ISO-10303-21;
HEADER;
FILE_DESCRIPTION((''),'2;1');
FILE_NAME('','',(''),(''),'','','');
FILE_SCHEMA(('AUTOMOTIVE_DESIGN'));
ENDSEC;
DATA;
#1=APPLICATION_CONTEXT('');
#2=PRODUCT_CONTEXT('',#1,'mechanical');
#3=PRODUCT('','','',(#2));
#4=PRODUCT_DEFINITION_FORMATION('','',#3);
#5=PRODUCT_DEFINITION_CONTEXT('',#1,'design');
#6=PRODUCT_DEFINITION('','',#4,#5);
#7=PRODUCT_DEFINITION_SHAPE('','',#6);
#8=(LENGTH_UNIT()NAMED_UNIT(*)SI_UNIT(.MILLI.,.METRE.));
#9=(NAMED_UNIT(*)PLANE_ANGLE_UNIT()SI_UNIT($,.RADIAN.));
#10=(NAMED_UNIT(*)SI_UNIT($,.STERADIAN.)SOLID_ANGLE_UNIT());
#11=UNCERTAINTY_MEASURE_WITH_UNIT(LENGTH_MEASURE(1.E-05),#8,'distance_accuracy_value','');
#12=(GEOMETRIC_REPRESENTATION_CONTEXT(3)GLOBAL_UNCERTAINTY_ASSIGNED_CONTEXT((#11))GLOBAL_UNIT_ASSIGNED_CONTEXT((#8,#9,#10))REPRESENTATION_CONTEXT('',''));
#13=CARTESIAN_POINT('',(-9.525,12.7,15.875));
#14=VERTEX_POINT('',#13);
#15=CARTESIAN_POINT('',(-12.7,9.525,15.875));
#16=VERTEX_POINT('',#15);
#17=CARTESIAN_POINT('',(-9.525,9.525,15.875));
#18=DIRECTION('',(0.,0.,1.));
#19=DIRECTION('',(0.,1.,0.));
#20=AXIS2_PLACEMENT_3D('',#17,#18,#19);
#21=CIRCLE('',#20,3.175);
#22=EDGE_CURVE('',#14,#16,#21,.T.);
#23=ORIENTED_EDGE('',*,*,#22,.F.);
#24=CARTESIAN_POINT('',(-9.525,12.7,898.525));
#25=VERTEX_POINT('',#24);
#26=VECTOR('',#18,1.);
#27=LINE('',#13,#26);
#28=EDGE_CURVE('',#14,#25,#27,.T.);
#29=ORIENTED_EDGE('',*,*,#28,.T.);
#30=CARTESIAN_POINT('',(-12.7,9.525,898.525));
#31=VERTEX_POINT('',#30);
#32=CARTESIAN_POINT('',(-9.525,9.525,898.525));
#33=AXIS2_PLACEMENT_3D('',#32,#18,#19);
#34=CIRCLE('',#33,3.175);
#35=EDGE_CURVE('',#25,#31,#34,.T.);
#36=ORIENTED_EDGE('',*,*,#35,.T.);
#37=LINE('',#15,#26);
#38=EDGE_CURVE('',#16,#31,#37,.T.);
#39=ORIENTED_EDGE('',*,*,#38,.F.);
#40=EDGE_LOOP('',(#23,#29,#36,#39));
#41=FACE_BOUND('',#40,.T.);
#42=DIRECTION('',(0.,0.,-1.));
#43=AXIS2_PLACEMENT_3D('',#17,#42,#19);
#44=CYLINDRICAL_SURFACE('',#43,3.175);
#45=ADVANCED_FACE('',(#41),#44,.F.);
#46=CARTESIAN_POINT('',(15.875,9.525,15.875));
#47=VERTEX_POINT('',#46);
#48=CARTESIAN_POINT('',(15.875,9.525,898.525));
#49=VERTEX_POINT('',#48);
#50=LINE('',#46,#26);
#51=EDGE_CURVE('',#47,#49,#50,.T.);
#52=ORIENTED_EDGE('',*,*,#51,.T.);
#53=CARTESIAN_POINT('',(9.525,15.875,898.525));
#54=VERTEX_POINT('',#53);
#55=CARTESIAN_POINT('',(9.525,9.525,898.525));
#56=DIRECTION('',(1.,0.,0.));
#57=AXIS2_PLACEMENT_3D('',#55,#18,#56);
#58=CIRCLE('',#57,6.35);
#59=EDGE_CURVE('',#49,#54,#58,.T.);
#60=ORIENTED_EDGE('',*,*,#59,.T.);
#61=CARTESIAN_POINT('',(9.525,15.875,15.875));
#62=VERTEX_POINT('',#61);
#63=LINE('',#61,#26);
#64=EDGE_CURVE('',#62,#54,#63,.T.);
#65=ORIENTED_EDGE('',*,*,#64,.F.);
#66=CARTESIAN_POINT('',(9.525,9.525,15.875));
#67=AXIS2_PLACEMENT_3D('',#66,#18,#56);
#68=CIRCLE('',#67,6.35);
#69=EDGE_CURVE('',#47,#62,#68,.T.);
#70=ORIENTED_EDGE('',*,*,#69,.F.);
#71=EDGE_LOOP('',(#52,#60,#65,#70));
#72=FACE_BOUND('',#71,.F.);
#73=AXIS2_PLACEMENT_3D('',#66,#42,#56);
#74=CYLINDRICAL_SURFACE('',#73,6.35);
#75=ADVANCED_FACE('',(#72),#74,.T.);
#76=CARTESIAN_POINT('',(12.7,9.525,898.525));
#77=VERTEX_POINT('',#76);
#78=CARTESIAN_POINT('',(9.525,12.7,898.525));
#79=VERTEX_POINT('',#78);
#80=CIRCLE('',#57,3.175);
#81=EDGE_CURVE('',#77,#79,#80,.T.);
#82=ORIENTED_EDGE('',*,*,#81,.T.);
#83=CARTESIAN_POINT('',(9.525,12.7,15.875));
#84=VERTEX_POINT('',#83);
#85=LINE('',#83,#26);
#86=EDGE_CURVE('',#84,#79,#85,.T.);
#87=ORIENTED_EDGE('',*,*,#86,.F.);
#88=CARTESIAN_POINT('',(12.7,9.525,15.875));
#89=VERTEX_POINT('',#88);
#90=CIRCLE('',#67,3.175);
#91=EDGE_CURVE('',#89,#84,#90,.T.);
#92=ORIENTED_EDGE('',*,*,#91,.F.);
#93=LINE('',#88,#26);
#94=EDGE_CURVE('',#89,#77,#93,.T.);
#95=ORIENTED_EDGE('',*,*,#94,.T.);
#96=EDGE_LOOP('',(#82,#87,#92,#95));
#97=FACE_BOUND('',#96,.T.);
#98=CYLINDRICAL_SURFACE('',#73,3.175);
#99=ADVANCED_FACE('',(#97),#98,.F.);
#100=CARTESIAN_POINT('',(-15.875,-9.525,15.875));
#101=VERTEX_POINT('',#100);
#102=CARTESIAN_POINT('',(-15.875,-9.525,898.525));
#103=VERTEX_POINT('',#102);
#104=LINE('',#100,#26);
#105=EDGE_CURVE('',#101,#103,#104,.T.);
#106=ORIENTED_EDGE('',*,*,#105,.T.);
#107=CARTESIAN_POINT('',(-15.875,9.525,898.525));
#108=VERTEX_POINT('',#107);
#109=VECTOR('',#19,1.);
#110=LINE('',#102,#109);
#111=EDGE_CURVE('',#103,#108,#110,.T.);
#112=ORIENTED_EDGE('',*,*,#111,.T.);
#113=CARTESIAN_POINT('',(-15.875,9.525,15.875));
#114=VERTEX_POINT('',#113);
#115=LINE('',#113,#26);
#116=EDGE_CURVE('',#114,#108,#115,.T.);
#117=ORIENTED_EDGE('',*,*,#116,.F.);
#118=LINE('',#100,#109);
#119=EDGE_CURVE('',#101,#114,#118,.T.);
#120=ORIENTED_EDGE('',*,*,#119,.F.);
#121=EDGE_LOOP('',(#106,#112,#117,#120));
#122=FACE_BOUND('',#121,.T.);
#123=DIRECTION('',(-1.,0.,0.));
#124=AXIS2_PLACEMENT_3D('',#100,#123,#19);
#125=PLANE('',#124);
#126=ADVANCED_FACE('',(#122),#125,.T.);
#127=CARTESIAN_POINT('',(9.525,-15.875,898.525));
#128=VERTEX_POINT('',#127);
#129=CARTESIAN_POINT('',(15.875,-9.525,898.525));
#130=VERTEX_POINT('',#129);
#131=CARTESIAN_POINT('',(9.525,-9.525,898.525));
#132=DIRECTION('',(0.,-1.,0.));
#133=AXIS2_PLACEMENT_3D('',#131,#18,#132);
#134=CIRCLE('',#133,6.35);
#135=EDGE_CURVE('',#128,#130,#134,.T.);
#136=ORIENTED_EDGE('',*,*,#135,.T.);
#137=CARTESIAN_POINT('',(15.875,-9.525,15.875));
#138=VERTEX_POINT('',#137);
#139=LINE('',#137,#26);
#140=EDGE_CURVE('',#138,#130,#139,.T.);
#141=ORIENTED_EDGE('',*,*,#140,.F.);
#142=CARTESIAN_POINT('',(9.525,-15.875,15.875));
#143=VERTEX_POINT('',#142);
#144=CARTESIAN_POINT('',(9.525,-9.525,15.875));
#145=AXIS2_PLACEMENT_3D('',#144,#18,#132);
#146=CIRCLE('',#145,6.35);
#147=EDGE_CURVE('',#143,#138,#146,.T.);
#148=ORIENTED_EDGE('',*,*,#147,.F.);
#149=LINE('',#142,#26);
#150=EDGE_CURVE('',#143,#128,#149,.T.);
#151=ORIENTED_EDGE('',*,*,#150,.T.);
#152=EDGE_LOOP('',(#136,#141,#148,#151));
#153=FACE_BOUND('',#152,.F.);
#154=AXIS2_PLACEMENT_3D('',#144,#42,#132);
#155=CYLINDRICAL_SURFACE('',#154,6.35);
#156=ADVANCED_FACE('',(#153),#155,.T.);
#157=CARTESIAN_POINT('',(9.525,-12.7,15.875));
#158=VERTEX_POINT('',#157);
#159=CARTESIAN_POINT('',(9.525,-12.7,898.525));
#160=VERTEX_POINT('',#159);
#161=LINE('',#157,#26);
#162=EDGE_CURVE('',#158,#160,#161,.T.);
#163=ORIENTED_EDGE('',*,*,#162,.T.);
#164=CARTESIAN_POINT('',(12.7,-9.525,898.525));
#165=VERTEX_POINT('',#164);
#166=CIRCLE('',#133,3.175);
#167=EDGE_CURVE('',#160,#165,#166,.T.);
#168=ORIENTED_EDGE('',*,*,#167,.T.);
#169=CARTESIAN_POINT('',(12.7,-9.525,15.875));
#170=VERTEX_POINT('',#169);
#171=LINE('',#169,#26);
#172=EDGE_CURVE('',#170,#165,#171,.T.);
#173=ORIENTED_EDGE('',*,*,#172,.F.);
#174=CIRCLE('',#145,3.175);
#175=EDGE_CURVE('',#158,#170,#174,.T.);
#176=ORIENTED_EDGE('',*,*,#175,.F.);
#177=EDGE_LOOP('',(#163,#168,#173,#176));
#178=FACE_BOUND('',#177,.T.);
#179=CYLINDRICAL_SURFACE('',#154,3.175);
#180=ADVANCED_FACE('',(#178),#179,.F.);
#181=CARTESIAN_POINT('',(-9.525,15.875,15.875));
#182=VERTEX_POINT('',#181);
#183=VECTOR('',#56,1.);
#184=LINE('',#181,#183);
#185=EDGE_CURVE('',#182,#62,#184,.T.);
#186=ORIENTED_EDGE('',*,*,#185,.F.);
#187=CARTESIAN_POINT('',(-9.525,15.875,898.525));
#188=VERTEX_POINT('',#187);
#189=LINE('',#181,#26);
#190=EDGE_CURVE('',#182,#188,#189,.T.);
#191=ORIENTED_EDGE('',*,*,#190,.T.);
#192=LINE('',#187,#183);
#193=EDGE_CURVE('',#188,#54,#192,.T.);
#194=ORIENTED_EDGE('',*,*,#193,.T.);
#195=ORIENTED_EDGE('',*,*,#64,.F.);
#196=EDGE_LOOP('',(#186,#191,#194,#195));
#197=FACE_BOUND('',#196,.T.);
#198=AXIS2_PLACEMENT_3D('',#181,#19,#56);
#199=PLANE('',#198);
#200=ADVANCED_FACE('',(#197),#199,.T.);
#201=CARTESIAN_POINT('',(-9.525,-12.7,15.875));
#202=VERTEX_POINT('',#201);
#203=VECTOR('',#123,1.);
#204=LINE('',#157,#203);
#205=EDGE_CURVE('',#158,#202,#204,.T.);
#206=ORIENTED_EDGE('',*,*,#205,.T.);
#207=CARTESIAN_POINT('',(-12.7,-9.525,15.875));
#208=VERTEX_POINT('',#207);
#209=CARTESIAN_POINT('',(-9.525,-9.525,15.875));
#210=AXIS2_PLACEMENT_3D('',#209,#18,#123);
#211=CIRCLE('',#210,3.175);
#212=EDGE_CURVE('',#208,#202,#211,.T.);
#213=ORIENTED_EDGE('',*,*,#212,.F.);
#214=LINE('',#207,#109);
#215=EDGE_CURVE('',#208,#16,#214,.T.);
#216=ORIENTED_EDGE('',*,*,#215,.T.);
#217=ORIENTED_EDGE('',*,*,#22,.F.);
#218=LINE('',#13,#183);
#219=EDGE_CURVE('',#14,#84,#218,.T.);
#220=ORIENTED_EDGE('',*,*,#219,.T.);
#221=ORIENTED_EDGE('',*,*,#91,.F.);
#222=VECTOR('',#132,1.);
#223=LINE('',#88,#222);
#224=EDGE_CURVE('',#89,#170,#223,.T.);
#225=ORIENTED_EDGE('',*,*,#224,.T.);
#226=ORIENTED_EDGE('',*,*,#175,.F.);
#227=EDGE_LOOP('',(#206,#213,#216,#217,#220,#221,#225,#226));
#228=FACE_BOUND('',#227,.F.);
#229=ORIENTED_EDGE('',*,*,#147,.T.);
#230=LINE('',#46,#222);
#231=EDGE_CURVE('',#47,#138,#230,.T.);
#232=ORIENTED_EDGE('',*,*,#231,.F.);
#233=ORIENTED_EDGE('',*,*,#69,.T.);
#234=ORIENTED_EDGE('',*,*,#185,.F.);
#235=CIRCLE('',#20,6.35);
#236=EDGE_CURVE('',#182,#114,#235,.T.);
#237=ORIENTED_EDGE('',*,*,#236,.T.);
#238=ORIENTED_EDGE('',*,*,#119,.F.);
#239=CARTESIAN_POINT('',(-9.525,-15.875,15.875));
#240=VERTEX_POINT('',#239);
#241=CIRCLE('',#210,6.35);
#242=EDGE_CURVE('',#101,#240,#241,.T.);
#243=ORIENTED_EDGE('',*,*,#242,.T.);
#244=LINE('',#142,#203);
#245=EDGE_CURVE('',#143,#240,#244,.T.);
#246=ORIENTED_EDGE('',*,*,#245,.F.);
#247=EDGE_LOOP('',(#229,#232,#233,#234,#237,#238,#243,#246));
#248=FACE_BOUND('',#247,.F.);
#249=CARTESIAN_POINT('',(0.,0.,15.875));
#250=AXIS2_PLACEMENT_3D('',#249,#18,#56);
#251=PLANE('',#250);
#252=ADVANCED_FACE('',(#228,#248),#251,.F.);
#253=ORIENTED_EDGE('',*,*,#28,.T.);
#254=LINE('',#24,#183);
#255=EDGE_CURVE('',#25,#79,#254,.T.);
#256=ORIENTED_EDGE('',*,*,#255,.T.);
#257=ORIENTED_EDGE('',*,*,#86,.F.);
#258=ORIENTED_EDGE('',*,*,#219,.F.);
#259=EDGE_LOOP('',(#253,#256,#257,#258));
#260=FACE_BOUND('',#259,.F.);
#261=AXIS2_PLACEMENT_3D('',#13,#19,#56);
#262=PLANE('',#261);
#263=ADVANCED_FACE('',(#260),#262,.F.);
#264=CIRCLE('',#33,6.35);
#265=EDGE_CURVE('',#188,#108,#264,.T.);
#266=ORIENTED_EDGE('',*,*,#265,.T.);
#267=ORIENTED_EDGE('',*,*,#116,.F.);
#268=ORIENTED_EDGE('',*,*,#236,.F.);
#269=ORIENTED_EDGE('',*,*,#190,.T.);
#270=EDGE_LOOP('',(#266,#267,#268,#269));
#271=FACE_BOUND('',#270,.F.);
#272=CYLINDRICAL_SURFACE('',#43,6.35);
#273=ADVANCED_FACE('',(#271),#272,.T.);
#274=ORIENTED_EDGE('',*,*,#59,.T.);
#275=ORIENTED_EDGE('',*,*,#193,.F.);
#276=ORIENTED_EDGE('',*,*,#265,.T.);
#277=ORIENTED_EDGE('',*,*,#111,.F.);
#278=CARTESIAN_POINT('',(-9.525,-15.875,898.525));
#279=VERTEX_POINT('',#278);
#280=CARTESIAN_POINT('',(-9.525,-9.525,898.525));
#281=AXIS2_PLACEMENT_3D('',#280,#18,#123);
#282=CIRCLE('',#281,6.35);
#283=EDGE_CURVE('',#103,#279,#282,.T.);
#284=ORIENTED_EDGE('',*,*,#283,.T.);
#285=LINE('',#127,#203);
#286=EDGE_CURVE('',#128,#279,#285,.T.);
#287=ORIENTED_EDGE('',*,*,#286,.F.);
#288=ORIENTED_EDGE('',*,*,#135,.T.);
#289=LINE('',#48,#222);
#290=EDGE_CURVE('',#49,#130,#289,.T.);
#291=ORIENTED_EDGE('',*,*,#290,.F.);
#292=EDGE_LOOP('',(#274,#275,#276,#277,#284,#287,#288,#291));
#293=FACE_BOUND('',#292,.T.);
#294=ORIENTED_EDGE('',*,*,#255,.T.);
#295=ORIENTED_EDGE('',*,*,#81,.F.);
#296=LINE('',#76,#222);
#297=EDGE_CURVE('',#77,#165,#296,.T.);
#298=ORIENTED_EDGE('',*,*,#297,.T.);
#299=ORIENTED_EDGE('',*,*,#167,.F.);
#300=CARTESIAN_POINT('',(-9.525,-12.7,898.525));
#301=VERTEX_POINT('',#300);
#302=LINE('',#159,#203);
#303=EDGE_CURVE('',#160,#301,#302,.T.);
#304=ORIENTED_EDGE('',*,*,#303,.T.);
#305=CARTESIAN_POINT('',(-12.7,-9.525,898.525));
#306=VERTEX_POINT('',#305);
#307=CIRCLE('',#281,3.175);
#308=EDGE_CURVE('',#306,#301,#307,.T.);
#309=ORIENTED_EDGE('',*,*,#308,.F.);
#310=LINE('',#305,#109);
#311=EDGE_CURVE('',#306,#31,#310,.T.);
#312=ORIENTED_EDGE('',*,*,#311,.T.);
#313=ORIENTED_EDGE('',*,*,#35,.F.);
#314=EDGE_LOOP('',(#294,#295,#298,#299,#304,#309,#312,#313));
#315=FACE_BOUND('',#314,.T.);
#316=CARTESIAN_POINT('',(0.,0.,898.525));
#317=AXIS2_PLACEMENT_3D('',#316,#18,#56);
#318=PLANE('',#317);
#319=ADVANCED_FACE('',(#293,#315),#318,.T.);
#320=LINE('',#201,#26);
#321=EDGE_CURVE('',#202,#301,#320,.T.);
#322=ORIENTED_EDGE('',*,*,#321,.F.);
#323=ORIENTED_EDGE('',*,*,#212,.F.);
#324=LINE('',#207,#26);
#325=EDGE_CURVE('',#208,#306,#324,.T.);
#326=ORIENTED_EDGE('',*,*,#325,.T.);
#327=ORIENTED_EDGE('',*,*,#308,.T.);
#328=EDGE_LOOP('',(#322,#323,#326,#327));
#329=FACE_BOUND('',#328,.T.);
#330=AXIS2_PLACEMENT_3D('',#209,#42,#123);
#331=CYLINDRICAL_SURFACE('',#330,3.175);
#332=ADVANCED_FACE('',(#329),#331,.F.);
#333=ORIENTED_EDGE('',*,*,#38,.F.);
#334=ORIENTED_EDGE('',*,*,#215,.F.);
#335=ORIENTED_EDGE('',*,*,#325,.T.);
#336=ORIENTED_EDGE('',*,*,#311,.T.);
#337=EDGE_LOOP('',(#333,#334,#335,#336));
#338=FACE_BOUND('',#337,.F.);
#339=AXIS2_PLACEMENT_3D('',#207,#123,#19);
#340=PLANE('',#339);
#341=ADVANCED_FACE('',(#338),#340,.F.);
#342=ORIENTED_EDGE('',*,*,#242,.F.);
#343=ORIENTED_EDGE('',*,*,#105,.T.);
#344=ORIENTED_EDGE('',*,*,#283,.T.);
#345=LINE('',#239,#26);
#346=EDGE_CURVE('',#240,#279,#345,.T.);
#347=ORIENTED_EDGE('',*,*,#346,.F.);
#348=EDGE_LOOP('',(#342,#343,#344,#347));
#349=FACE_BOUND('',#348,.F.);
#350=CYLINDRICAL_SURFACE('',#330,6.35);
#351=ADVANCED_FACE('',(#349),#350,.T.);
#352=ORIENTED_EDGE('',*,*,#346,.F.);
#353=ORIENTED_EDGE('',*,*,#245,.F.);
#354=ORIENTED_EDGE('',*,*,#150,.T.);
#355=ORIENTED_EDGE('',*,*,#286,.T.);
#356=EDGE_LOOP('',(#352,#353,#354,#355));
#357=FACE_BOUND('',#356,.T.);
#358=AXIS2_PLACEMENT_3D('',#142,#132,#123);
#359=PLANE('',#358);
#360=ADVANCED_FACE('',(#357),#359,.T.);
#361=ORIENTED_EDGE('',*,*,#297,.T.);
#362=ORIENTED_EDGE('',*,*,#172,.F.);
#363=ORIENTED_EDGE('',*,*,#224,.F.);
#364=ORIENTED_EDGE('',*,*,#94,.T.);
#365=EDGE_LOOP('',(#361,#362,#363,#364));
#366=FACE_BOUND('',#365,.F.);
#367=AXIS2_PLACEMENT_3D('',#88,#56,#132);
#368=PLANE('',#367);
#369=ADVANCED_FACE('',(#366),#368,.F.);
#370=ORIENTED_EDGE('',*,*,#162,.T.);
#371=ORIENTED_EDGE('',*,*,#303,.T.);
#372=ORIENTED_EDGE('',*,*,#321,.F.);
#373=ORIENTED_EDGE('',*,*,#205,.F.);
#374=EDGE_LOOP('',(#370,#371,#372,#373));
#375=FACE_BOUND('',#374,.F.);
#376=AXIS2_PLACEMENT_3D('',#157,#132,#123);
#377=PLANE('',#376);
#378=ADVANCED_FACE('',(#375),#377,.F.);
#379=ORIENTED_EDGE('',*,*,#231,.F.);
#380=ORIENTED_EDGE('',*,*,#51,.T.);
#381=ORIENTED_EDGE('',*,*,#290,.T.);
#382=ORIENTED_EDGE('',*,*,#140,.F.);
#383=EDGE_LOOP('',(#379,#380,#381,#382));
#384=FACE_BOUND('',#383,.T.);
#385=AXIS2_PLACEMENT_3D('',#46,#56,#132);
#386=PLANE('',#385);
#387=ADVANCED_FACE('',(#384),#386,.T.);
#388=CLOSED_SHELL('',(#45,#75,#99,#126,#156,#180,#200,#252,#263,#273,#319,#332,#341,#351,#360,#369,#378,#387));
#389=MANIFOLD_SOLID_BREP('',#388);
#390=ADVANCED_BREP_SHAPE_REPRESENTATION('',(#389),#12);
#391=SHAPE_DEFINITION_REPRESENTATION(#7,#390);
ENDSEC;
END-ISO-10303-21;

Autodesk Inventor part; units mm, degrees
ref_plane "Start plane" through (0, 0, 15.875) normal (0, 0, 1) x (1, 0, 0)
ref_plane "End plane" through (0, 0, 898.525) normal (0, 0, 1) x (1, 0, 0)
sketch "Sketch" plane through (0, 0, 0) normal (0, 0, 1) x (1, 0, 0)
  line L0 (-15.875, -9.525) -> (-15.875, 9.525)
  line L1 (-9.525, 15.875) -> (9.525, 15.875)
  line L2 (15.875, 9.525) -> (15.875, -9.525)
  line L3 (9.525, -15.875) -> (-9.525, -15.875)
  arc A0 (-15.875, -9.525) -> (-9.525, -15.875) centre (-9.525, -9.525) ccw
  arc A1 (-9.525, 15.875) -> (-15.875, 9.525) centre (-9.525, 9.525) ccw
  arc A2 (15.875, 9.525) -> (9.525, 15.875) centre (9.525, 9.525) ccw
  arc A3 (9.525, -15.875) -> (15.875, -9.525) centre (9.525, -9.525) ccw
  arc A4 (-9.525, 12.7) -> (-12.7, 9.525) centre (-9.525, 9.525) ccw
  line L4 (-9.525, 12.7) -> (9.525, 12.7)
  arc A5 (12.7, 9.525) -> (9.525, 12.7) centre (9.525, 9.525) ccw
  line L5 (12.7, 9.525) -> (12.7, -9.525)
  arc A6 (9.525, -12.7) -> (12.7, -9.525) centre (9.525, -9.525) ccw
  line L6 (9.525, -12.7) -> (-9.525, -12.7)
  arc A7 (-12.7, -9.525) -> (-9.525, -12.7) centre (-9.525, -9.525) ccw
  line L7 (-12.7, -9.525) -> (-12.7, 9.525)
  line L8 (0, 24.0662) -> (0, -24.0662) construction
  line L9 (-24.0662, 0) -> (24.0662, 0) construction
  dimension "d10" = 31.75
  dimension "d11" = 31.75
  dimension "d12" = 3.175
  dimension "d15" = 15.875
  dimension "d16" = 15.875
  dimension "d17" = 6.35
extrude "Body" add sketch "Sketch" along normal up to surface (882.65 mm away) from surface at 15.875
sketch "Sketch3" plane through (0, 0, 0) normal (0, 0, 1) x (1, 0, 0)
  line L0 (0, 0) -> (10, 0)
ref_plane "Work Plane3" through (0, 0, 0) normal (0, -1, 0) x (1, 0, 0)
sketch "Sketch4" plane through (0, 0, 0) normal (0, -1, 0) x (1, 0, 0)
  line L0 (-2, 15.875) -> (12, 15.875)
  line L1 (-2, 898.525) -> (12, 898.525)
  dimension "d19" = 882.65
ref_plane "Work Plane4" through (-508, 9.525, 898.525) normal (0, 0, 1) x (1, 0, 0)
split "Split1" plane through (-508, 9.525, 898.525) removes the side toward (0, 0, 1)
ref_plane "Work Plane5" through (-508, -9.525, 15.875) normal (0, 0, -1) x (-1, 0, 0)
split "Split2" plane through (-508, -9.525, 15.875) removes the side toward (0, 0, -1)
equation "\"d10\" = G_H"
equation "\"d11\" = G_W"
equation "\"d12\" = G_T"
equation "\"d15\" = 0.5 * d10"
equation "\"d16\" = 0.5 * d11"
equation "\"d17\" = G_IR"
equation "\"d3\" = G_L"
equation "\"G_W\" = 31.75"
equation "\"G_H\" = 31.75"
equation "\"G_T\" = 3.175"
equation "\"G_IR\" = 6.35"
equation "\"G_L\" = d19"
equation "\"G_OFFSET_START\" = -15.875"
equation "\"G_OFFSET_END\" = -15.875"
equation "\"d13\" = -G_OFFSET_START"
equation "\"d14\" = G_OFFSET_END + B_L"
equation "\"B_L\" = 914.4"
properties part number "AISC HSS - 1-1/4x1-1/4x1/8 - 34.75" material "Steel, Mild"
